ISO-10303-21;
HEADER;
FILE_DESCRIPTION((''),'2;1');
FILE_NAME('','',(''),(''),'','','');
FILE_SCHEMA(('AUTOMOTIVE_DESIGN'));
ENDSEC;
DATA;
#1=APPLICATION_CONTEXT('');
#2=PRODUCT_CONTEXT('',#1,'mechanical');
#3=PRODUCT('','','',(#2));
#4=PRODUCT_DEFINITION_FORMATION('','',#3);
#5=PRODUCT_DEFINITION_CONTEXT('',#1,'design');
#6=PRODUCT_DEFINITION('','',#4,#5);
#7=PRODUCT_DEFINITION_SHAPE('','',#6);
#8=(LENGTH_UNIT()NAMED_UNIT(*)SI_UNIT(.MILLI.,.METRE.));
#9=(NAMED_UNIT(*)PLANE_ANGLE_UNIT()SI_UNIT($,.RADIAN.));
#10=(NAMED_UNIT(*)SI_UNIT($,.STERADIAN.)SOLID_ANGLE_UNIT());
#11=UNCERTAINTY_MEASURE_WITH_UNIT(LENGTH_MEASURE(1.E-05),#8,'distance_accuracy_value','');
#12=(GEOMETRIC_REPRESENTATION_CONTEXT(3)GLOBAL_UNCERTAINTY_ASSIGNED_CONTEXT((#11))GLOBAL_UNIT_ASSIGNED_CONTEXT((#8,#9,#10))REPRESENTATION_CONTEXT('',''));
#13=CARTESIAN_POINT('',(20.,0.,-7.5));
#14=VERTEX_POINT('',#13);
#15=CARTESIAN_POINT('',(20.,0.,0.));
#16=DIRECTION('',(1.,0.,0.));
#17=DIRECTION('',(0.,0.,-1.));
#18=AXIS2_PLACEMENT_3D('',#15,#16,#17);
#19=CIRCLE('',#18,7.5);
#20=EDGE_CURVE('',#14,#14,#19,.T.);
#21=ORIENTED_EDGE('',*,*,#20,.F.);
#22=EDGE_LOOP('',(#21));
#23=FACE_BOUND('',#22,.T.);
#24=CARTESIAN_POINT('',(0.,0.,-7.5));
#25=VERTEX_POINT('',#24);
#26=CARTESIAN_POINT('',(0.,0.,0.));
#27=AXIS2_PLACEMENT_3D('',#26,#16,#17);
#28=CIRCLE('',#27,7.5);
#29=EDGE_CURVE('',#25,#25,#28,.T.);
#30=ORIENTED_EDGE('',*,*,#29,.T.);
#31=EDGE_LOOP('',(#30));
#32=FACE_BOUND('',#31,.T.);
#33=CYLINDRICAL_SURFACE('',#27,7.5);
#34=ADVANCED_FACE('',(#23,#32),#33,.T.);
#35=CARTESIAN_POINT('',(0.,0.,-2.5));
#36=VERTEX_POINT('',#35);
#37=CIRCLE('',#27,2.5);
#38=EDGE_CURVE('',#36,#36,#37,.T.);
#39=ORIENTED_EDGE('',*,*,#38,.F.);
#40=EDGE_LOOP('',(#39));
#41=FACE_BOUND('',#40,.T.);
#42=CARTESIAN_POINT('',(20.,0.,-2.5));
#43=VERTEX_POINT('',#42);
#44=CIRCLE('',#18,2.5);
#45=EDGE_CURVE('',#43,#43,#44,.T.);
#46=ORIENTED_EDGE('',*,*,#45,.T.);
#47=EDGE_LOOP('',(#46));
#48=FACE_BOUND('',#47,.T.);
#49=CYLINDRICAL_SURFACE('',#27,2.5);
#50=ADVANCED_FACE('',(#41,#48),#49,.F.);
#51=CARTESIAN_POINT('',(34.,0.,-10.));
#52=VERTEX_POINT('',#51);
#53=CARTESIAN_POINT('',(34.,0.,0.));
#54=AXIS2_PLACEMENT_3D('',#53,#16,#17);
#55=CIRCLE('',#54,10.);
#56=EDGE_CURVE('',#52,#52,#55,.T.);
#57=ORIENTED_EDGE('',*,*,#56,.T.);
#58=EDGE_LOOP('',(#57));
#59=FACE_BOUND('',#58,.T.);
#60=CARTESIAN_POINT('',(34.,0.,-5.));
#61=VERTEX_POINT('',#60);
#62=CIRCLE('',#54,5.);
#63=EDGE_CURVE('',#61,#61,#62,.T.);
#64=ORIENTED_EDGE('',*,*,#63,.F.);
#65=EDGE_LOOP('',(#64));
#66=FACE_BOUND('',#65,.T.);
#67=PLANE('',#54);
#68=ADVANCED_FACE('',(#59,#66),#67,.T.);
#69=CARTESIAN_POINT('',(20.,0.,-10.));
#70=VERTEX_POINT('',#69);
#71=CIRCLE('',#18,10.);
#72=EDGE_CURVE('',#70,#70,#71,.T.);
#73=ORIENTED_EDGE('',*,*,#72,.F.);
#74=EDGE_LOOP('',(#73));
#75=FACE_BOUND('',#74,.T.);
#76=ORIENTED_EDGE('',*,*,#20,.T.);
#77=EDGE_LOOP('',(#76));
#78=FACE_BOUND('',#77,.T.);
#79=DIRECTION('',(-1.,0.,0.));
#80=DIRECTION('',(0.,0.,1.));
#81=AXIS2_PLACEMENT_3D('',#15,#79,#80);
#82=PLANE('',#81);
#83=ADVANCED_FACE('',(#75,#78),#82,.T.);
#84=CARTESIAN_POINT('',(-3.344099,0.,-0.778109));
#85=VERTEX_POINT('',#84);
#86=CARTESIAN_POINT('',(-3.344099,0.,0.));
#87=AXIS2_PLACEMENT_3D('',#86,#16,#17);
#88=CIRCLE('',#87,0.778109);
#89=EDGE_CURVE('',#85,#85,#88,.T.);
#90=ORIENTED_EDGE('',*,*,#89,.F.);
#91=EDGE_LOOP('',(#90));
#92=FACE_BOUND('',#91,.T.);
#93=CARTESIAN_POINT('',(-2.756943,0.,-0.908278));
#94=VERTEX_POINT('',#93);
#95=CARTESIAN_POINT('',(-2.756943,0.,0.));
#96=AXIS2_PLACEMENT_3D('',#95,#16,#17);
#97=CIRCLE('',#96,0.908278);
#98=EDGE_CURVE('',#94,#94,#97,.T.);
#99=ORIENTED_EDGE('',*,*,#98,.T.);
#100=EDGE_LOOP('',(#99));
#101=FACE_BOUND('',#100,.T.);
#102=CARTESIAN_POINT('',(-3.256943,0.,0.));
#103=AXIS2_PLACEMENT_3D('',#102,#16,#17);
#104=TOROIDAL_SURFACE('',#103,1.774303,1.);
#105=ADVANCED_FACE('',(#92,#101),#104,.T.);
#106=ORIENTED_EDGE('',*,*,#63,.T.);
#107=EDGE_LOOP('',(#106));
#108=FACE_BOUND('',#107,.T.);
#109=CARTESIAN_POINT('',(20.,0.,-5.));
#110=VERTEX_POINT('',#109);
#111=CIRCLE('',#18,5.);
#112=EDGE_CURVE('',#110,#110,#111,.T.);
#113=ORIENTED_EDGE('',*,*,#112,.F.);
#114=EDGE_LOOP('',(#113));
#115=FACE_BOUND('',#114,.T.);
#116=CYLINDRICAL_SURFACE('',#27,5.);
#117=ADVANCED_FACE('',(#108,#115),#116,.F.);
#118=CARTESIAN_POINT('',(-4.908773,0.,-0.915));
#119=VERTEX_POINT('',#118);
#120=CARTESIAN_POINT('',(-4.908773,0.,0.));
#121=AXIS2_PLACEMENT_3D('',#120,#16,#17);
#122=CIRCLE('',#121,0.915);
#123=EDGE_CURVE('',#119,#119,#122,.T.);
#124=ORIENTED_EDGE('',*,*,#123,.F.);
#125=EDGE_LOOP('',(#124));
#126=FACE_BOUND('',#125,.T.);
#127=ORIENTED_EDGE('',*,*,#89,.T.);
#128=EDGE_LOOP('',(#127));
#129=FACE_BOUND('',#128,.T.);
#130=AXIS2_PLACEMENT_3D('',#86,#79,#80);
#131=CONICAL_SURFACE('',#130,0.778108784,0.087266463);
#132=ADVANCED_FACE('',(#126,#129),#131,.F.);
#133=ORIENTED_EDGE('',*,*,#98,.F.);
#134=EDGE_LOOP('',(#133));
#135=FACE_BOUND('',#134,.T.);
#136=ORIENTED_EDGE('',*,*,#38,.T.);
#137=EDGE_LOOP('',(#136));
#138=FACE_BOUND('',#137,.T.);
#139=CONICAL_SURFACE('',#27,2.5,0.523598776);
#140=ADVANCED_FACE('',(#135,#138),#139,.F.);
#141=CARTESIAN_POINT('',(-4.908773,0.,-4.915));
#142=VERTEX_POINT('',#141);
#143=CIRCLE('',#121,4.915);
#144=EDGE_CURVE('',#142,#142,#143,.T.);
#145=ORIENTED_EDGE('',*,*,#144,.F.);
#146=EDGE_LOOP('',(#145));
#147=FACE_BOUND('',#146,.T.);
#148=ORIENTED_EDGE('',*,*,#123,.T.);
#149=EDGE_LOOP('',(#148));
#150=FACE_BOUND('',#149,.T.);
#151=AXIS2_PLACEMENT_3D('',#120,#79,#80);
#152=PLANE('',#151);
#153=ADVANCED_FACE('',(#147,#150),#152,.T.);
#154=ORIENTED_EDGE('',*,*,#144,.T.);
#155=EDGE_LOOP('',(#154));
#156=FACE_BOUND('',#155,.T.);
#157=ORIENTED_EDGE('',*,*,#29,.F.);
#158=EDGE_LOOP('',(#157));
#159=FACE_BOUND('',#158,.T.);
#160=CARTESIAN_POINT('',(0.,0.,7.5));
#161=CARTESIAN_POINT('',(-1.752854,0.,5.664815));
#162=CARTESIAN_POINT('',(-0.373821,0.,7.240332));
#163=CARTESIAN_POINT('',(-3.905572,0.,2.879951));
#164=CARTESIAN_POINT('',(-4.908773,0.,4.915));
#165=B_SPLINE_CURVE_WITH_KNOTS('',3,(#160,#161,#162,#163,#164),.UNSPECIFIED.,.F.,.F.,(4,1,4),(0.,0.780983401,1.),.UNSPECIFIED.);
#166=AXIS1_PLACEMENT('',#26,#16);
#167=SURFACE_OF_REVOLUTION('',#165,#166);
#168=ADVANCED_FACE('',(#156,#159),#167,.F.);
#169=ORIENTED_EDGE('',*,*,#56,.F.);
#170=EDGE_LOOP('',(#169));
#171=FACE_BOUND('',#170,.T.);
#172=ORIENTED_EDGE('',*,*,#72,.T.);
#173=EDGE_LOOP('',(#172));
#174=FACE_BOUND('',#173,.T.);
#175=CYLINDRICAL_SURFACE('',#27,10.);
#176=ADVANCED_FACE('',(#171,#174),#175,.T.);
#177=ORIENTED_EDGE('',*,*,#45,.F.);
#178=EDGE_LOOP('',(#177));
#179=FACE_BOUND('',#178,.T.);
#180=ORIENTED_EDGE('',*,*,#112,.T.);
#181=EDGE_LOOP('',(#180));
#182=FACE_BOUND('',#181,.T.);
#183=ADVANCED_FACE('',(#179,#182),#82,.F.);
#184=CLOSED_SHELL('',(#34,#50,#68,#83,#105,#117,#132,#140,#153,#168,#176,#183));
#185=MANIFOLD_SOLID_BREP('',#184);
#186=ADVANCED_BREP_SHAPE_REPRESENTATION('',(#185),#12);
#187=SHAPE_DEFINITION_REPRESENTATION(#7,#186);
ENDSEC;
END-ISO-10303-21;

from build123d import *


with BuildPart() as part:
    # Sketch3 → Revolve1 (revolve)
    with BuildSketch(Plane(origin=(0, 0, 0), x_dir=(-1, 0, 0), z_dir=(0, 1, 0)), mode=Mode.PRIVATE) as revolve1_sk:
        with BuildLine():
            add(Edge.make_bspline(
                [(0, 7.5), (1.752854474, 5.664815439), (0.373820614, 7.240332376), (3.905572002, 2.879951334), (4.908772735, 4.915)],
                knots=[0, 0, 0, 0, 0.780983401, 1, 1, 1, 1], degree=3))
            Line((4.908772735, 4.915), (4.908772735, 0.915))
            Line((4.908772735, 0.915), (3.344098982, 0.778108784))
            ThreePointArc((3.344098982, 0.778108784), (3.040503625, 0.798007475), (2.756943239, 0.908278079))
            Line((2.756943239, 0.908278079), (0, 2.5))
            Line((0, 2.5), (-20, 2.5))
            Line((-20, 2.5), (-20, 5))
            Line((-20, 5), (-20, 7.5))
            Line((-20, 7.5), (0, 7.5))
        make_face()
        Polygon((-20, 10), (-20, 7.5), (-20, 5), (-34, 5), (-34, 10), align=None)
    revolve(revolve1_sk.sketch.rotate(Axis((0, 0, 0), (-1, 0, 0)), 180), axis=Axis((0, 0, 0), (-1, 0, 0)))


solid = part.part
